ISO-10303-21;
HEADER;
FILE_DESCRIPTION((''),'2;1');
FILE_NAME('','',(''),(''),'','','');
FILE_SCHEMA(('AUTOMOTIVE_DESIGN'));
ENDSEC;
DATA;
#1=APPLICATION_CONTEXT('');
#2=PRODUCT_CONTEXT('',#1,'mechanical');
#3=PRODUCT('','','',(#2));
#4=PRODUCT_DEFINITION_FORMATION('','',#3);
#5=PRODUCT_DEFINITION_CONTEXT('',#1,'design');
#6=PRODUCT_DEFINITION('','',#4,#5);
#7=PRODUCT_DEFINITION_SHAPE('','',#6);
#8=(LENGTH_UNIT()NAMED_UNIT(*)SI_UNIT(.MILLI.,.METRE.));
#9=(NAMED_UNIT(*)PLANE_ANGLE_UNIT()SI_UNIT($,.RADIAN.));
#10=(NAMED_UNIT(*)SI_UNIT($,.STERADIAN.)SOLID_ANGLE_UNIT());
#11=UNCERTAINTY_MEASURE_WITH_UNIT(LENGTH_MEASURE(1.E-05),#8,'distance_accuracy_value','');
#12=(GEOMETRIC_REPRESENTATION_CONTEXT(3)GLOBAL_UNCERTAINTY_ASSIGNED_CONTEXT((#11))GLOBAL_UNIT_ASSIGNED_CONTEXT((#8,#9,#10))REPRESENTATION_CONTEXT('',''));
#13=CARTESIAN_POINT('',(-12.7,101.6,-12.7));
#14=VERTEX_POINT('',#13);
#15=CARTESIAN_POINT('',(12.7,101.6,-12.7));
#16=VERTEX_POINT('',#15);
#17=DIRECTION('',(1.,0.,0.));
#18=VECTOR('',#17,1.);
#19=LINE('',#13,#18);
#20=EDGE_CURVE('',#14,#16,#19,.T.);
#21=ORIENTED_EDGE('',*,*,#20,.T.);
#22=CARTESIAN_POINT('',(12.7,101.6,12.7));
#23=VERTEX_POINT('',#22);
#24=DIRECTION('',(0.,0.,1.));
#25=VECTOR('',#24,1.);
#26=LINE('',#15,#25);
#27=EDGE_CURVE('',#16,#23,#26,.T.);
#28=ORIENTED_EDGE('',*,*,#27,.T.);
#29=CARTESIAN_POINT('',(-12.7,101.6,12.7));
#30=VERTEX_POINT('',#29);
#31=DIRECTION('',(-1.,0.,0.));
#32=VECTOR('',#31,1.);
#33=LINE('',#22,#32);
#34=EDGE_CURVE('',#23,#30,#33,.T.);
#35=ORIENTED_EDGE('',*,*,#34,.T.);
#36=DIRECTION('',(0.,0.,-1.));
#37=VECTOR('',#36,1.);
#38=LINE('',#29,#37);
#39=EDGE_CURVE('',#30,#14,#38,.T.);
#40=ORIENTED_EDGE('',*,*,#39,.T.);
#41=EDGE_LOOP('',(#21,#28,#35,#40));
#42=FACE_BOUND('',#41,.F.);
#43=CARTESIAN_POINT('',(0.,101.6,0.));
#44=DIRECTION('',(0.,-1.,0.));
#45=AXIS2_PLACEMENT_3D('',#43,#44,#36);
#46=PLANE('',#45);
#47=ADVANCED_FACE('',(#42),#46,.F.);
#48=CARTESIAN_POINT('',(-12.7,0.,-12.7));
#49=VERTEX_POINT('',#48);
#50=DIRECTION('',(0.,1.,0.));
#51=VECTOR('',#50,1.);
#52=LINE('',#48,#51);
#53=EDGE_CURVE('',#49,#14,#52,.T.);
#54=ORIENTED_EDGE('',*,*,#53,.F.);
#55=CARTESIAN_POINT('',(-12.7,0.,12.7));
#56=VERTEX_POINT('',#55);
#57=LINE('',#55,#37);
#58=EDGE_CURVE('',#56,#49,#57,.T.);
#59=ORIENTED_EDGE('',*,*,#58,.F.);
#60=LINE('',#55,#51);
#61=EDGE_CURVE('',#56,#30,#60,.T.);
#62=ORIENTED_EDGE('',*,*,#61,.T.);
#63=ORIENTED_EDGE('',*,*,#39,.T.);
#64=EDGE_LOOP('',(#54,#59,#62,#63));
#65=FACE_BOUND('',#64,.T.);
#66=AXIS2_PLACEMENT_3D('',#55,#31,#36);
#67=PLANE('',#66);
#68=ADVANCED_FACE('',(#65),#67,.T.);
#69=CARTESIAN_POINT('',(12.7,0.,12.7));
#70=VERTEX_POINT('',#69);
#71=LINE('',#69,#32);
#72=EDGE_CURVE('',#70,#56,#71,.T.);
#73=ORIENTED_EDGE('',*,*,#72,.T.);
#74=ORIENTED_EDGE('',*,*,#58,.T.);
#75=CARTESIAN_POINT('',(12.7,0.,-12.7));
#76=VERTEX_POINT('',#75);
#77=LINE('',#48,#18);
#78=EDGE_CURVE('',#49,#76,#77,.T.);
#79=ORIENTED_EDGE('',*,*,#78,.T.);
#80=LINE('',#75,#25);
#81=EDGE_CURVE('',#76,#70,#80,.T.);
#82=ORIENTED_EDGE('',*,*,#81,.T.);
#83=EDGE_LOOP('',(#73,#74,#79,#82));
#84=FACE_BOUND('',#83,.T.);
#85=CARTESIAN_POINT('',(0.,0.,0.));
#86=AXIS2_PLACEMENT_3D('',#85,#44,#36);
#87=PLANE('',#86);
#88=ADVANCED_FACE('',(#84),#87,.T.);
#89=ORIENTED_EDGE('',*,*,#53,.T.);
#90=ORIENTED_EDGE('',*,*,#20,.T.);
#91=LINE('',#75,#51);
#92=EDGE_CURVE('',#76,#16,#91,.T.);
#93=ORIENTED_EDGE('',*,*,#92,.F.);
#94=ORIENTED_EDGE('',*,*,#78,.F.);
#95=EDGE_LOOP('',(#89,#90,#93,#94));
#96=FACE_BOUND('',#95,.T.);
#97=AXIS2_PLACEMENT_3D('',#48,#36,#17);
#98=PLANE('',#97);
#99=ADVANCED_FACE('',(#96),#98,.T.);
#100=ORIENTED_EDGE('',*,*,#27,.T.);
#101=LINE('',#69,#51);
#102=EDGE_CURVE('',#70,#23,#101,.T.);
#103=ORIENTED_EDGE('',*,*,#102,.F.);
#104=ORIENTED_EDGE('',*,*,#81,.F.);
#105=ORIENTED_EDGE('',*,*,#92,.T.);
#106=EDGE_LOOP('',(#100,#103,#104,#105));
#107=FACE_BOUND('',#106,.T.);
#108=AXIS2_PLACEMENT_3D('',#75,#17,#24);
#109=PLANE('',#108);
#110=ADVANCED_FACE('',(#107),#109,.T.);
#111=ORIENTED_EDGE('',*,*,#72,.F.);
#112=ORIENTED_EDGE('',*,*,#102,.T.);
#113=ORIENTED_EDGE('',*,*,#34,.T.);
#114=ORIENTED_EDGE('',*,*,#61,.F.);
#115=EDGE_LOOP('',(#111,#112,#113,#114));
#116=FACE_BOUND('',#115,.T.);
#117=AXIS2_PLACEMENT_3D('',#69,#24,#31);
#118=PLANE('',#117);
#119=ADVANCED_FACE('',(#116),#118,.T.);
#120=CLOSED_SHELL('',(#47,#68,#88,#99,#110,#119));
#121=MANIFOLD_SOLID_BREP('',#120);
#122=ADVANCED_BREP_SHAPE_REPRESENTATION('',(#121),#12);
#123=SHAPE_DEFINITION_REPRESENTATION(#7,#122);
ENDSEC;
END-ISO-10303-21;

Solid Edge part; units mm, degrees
sketch "Sketch1" plane through (0, 0, 0) normal (0, -1, 0) x (1, 0, 0)
  line L0 (12.7, -12.7) -> (12.7, 12.7)
  line L1 (12.7, 12.7) -> (-12.7, 12.7)
  line L2 (-12.7, 12.7) -> (-12.7, -12.7)
  line L3 (-12.7, -12.7) -> (12.7, -12.7)
extrude "Protrusion1" add sketch "Sketch1" against normal blind 101.6
